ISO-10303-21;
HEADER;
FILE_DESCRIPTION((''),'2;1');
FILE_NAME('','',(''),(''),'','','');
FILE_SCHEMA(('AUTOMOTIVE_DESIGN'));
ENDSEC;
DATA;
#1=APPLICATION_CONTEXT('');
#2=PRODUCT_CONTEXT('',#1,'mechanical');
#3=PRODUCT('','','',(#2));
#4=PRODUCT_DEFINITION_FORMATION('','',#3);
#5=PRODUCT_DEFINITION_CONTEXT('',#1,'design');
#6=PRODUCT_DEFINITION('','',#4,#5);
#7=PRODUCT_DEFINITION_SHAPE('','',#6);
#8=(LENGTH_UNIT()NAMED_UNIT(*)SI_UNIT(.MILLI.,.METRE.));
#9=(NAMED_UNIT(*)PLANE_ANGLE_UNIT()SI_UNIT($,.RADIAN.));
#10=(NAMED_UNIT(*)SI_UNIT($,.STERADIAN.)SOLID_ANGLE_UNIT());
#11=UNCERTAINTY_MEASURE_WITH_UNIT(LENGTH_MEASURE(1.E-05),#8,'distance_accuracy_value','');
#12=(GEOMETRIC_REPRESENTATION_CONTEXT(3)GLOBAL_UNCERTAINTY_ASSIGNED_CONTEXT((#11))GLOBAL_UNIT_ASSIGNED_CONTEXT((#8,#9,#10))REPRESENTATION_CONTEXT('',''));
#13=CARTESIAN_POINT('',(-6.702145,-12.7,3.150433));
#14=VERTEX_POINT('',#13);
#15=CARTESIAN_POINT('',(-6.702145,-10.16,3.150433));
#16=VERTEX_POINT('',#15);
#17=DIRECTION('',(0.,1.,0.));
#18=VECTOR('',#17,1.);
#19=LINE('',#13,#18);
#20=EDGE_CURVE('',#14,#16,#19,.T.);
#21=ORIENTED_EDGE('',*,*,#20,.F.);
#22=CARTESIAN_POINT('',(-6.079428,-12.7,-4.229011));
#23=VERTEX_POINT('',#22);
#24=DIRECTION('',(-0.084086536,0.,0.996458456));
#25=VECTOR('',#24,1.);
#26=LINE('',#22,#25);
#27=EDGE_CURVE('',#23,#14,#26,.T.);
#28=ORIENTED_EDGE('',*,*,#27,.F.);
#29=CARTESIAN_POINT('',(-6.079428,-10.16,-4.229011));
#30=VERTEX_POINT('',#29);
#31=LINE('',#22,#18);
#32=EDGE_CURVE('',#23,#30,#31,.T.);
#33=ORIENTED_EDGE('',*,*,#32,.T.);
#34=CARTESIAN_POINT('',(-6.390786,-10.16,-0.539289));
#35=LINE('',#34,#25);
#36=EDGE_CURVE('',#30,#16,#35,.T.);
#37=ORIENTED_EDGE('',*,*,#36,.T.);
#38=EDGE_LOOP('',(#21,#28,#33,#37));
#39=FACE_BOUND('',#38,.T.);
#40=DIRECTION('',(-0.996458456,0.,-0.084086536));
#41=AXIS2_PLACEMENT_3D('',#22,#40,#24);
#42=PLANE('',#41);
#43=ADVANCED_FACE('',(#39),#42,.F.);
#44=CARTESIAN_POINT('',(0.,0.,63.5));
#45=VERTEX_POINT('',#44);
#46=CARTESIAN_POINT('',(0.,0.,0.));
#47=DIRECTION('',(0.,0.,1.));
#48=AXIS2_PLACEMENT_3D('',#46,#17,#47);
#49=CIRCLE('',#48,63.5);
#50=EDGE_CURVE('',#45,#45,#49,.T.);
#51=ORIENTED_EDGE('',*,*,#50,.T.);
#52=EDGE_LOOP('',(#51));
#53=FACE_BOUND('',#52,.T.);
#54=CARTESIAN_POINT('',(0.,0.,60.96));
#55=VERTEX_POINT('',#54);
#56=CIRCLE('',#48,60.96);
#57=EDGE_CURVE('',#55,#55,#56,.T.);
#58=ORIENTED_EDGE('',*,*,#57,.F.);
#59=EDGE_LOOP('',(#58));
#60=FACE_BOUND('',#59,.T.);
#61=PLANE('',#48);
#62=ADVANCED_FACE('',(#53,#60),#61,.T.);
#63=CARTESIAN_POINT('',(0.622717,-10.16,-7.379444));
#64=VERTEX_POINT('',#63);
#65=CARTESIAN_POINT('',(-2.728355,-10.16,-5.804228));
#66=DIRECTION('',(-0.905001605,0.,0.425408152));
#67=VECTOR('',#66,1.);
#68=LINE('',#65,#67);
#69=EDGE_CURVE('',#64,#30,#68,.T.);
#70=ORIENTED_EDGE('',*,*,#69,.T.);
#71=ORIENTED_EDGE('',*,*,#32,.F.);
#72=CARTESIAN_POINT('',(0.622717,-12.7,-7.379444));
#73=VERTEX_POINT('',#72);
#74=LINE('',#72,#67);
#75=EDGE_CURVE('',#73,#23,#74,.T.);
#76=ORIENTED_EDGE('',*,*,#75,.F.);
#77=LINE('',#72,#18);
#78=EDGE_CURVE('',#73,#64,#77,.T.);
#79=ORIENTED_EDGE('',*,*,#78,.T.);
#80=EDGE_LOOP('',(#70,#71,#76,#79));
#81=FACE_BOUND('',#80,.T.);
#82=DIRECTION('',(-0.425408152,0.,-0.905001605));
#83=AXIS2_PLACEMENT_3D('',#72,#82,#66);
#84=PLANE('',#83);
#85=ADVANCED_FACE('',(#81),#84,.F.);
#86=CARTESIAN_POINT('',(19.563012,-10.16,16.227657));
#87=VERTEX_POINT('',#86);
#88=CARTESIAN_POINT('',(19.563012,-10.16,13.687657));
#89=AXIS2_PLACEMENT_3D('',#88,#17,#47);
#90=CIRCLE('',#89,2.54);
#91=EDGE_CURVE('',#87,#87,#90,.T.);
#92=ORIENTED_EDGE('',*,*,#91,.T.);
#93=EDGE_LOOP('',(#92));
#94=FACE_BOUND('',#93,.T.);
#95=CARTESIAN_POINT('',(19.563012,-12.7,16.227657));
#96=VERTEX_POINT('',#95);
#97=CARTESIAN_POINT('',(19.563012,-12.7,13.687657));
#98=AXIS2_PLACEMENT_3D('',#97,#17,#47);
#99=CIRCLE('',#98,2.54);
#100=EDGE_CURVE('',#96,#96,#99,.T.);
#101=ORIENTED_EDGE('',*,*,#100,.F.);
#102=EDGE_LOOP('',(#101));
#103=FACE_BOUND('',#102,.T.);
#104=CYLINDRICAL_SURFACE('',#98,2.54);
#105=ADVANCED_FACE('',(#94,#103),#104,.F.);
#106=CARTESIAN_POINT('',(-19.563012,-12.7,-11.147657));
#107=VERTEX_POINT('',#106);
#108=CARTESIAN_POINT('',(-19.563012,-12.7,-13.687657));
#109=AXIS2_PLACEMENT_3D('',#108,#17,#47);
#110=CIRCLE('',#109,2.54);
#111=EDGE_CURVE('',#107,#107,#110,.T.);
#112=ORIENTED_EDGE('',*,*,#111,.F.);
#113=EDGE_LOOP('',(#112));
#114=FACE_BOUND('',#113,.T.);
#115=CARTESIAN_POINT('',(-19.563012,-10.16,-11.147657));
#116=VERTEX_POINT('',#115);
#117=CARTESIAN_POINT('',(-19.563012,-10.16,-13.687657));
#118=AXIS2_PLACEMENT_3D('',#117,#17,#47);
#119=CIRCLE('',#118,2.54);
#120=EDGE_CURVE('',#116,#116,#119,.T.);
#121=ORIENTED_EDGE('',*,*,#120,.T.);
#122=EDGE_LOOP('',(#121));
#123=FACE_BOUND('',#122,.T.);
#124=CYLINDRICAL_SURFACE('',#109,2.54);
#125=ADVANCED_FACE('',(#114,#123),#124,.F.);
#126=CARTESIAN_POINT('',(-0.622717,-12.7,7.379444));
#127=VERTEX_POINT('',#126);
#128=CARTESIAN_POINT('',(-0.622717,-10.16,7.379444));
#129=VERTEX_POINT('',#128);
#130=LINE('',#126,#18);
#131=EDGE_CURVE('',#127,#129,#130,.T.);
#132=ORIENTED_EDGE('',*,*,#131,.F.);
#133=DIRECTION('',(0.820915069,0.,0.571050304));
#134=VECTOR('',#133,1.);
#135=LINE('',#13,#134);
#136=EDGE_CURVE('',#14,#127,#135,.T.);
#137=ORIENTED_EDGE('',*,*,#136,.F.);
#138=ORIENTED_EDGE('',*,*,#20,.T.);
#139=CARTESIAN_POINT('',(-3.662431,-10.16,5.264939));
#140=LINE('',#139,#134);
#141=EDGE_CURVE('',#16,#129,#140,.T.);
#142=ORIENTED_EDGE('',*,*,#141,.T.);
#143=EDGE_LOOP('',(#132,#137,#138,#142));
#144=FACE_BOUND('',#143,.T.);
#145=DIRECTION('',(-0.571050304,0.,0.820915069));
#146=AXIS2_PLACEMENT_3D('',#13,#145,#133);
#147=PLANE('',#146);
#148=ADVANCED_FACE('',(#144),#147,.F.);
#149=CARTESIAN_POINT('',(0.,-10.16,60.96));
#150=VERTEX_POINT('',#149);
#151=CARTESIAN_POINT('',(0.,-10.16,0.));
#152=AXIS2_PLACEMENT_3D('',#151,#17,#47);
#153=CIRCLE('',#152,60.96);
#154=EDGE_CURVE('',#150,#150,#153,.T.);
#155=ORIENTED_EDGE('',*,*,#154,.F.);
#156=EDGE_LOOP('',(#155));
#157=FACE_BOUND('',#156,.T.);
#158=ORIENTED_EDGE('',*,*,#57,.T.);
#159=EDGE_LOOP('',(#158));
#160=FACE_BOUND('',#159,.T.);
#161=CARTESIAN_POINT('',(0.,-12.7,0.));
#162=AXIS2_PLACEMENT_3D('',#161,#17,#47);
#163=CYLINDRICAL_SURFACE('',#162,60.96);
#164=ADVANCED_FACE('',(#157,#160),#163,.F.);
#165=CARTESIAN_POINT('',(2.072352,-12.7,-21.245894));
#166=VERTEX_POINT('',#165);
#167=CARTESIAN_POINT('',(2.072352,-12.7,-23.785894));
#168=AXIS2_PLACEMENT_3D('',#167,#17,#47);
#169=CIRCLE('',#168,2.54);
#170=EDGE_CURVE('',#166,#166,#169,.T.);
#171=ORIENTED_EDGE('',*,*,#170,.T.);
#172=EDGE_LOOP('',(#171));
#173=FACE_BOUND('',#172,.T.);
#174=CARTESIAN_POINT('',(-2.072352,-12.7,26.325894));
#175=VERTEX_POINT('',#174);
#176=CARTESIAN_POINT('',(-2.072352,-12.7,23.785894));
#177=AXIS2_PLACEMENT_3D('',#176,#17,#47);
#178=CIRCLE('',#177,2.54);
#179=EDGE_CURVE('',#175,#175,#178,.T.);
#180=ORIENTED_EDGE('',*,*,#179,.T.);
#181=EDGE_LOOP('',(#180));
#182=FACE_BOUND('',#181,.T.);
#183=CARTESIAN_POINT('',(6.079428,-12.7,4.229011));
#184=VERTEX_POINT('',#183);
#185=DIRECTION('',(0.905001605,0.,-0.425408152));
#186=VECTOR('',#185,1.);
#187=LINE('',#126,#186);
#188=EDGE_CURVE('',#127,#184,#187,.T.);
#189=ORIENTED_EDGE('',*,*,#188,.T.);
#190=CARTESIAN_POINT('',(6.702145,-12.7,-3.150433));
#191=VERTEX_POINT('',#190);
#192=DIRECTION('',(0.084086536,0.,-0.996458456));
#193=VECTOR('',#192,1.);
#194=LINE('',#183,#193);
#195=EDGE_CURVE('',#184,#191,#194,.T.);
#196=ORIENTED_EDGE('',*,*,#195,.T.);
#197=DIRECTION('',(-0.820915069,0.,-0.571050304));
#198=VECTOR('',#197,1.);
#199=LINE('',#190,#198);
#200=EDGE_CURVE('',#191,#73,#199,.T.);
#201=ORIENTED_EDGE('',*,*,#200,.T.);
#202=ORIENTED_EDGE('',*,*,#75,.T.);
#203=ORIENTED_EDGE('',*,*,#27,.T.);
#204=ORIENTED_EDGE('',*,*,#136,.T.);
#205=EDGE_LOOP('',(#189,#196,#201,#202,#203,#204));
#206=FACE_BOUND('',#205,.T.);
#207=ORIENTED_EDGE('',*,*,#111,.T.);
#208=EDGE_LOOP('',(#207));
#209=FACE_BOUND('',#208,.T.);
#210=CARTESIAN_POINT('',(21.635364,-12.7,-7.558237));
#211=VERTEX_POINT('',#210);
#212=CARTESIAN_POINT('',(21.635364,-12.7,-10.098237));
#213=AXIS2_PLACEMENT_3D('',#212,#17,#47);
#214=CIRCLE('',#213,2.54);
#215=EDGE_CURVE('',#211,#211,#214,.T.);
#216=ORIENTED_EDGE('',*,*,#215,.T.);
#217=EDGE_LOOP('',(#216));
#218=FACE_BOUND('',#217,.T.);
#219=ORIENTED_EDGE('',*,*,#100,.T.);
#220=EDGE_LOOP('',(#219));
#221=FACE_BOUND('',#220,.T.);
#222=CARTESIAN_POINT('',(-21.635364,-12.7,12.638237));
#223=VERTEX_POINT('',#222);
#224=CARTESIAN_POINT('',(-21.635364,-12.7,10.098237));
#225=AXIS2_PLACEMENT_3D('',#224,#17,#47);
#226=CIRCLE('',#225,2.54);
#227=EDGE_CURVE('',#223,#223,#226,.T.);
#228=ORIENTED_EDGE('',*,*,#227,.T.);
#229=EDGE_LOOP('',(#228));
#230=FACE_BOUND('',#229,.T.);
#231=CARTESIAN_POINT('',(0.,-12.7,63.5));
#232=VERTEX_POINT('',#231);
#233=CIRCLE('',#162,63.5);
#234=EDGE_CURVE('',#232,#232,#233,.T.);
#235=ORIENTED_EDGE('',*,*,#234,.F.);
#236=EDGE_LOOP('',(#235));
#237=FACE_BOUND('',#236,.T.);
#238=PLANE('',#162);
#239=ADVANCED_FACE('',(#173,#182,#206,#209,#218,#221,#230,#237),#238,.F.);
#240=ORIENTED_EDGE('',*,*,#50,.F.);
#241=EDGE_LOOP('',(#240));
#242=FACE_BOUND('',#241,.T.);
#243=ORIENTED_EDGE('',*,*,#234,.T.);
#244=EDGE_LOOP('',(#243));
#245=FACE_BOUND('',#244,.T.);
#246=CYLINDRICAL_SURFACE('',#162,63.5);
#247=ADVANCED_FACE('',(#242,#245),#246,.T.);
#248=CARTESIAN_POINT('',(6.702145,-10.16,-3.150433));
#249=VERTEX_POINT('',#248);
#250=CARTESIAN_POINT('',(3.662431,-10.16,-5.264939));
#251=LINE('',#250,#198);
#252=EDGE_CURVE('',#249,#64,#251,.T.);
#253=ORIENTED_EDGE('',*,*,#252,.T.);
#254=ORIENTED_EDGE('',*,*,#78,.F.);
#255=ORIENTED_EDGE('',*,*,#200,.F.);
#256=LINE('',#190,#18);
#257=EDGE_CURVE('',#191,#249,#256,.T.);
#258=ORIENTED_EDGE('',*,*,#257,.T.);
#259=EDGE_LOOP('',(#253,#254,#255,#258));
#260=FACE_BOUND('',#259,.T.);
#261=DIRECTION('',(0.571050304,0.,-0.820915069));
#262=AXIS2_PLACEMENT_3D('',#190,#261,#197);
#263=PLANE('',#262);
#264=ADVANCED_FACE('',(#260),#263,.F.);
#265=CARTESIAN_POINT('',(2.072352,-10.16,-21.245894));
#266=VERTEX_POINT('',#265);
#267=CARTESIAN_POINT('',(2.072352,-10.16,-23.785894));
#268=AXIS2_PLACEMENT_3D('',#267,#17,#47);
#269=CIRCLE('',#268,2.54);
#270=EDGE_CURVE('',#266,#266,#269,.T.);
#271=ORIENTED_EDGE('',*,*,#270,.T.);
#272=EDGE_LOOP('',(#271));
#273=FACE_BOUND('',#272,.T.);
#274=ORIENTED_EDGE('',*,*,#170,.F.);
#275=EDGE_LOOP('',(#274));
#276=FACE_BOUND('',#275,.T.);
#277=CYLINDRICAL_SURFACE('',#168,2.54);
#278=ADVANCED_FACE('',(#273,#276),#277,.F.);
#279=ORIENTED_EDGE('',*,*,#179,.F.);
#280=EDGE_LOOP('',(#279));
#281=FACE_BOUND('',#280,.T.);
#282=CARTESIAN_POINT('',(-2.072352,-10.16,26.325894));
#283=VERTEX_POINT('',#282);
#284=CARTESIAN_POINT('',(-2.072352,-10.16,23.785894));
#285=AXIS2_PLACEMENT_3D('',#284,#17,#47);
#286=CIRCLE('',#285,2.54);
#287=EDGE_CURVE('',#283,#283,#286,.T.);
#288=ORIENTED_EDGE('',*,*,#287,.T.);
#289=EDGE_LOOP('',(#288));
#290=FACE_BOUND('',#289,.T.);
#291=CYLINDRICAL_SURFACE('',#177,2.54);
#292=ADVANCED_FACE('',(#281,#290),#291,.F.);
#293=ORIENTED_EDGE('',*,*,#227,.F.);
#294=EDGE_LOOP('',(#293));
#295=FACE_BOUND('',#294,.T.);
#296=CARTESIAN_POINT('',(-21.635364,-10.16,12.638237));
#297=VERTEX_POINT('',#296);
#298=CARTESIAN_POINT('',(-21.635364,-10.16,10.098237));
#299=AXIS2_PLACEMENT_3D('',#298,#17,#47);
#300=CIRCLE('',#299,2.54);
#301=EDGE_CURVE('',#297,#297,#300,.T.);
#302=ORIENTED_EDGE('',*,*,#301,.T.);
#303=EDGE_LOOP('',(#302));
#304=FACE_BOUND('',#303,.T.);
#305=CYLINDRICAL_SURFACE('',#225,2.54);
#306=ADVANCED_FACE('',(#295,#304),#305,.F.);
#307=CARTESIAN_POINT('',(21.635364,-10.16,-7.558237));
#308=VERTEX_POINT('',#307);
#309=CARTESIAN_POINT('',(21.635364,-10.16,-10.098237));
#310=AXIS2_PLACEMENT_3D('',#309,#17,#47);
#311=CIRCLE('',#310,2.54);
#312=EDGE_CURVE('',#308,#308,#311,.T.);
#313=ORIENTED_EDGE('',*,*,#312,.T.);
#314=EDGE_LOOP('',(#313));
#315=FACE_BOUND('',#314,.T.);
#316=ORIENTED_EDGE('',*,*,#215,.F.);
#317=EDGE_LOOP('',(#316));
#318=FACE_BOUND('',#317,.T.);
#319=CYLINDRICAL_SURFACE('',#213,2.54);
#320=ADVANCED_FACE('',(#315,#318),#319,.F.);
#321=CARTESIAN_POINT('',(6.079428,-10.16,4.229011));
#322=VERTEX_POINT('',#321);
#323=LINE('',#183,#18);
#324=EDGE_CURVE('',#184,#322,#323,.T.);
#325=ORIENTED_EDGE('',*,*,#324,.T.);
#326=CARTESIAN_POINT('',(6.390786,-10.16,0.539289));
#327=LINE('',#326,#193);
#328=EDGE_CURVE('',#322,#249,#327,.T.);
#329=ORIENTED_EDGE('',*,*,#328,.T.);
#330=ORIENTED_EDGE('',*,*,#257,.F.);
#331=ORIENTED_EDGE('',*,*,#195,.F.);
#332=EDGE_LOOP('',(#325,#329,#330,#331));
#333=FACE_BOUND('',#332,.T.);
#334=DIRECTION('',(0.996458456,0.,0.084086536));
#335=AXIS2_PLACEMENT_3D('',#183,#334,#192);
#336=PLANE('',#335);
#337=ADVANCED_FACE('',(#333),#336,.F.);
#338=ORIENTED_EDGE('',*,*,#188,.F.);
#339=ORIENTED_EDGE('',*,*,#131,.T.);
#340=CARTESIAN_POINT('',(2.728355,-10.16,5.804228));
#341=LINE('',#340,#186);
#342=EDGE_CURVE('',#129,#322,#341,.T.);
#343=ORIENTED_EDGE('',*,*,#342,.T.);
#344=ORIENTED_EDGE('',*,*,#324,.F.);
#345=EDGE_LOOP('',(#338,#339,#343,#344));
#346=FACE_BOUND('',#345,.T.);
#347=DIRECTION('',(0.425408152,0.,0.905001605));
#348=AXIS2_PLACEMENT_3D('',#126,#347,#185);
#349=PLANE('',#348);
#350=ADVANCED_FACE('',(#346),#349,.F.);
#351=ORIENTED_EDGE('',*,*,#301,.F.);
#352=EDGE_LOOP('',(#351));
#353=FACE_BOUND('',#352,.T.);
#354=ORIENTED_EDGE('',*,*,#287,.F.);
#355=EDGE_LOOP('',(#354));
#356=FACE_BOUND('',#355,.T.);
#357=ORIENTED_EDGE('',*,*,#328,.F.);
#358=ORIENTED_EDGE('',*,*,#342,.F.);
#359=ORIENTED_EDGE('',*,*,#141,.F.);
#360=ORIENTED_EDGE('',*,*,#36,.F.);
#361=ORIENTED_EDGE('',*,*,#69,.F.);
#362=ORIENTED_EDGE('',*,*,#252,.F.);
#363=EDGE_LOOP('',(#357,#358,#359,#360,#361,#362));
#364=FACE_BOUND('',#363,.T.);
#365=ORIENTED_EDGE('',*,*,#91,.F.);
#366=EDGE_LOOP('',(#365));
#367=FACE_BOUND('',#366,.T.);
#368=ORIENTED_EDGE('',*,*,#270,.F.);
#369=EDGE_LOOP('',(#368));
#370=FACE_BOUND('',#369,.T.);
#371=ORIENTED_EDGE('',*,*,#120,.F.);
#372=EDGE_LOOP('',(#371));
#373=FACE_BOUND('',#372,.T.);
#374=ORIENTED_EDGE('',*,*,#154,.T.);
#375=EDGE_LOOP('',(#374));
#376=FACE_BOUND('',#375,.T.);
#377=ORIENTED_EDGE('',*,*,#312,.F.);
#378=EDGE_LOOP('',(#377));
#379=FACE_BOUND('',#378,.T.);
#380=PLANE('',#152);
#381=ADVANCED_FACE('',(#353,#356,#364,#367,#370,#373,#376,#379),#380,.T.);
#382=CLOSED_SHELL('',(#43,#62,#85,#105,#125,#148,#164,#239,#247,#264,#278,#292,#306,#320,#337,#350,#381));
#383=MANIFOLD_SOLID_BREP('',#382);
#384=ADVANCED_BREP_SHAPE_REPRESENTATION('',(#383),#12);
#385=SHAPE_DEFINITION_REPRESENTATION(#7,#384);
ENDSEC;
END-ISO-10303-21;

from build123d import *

# Parameters (mm, degrees)
SKETCH1_R           = 63.5
BOSS_EXTRUDE1_DEPTH = 12.7
SKETCH7_R           = 2.54
CUT_EXTRUDE2_DEPTH  = 91.696141042
CUT_EXTRUDE3_DEPTH  = 91.696141042
SHELL1_T            = -2.54


with BuildPart() as part:
    # Sketch1 → Boss-Extrude1 (new body)
    with BuildSketch(Plane(origin=(0, 0, 0), x_dir=(1, 0, 0), z_dir=(0, 1, 0))):
        with Locations(Location((0, 0, 0), (0, 0, 270))):
            Circle(SKETCH1_R)
    extrude(amount=-BOSS_EXTRUDE1_DEPTH)

    # Sketch7 → Cut-Extrude2 (cut, through all)
    with BuildSketch(Plane(origin=(0, 0, 0), x_dir=(1, 0, 0), z_dir=(0, 1, 0))):
        with Locations(Location((19.563011922, -13.687656502, 0), (0, 0, 270))):
            Circle(SKETCH7_R)
        with Locations(Location((21.635364211, 10.098237048, 0), (0, 0, 270))):
            Circle(SKETCH7_R)
        with Locations(Location((2.072352288, 23.78589355, 0), (0, 0, 270))):
            Circle(SKETCH7_R)
        with Locations(Location((-19.563011922, 13.687656502, 0), (0, 0, 270))):
            Circle(SKETCH7_R)
        with Locations(Location((-21.635364211, -10.098237048, 0), (0, 0, 270))):
            Circle(SKETCH7_R)
        with Locations(Location((-2.072352288, -23.78589355, 0), (0, 0, 270))):
            Circle(SKETCH7_R)
    extrude(amount=-CUT_EXTRUDE2_DEPTH, mode=Mode.SUBTRACT)

    # Sketch8 → Cut-Extrude3 (cut, through all)
    with BuildSketch(Plane(origin=(0, 0, 0), x_dir=(1, 0, 0), z_dir=(0, 1, 0))):
        Polygon((-6.702144956, -3.150433197), (-0.622717296, -7.37944439), (6.079427659, -4.229011193), (6.702144956, 3.150433197), (0.622717296, 7.37944439), (-6.079427659, 4.229011193), align=None)
    extrude(amount=-CUT_EXTRUDE3_DEPTH, mode=Mode.SUBTRACT)

    # Shell1
    shell1_openings = [part.faces().sort_by_distance(p)[0] for p in [
        (-2.072352288, -6.35, 21.24589355),
        (19.563011922, -6.35, 11.147656502),
        (0, 0, -61.703948776),
        (-21.635364211, -6.35, 7.558237048),
        (-19.563011922, -6.35, -16.227656502),
        (2.072352288, -6.35, -26.32589355),
        (21.635364211, -6.35, -12.638237048),
        (-6.390786307, -6.35, -0.539288998),
        (-2.728355181, -6.35, -5.804227791),
        (3.662431126, -6.35, -5.264938793),
        (6.390786307, -6.35, 0.539288998),
        (2.728355181, -6.35, 5.804227791),
        (-3.662431126, -6.35, 5.264938793),
    ]]
    offset(amount=SHELL1_T, openings=shell1_openings, kind=Kind.INTERSECTION)


solid = part.part
